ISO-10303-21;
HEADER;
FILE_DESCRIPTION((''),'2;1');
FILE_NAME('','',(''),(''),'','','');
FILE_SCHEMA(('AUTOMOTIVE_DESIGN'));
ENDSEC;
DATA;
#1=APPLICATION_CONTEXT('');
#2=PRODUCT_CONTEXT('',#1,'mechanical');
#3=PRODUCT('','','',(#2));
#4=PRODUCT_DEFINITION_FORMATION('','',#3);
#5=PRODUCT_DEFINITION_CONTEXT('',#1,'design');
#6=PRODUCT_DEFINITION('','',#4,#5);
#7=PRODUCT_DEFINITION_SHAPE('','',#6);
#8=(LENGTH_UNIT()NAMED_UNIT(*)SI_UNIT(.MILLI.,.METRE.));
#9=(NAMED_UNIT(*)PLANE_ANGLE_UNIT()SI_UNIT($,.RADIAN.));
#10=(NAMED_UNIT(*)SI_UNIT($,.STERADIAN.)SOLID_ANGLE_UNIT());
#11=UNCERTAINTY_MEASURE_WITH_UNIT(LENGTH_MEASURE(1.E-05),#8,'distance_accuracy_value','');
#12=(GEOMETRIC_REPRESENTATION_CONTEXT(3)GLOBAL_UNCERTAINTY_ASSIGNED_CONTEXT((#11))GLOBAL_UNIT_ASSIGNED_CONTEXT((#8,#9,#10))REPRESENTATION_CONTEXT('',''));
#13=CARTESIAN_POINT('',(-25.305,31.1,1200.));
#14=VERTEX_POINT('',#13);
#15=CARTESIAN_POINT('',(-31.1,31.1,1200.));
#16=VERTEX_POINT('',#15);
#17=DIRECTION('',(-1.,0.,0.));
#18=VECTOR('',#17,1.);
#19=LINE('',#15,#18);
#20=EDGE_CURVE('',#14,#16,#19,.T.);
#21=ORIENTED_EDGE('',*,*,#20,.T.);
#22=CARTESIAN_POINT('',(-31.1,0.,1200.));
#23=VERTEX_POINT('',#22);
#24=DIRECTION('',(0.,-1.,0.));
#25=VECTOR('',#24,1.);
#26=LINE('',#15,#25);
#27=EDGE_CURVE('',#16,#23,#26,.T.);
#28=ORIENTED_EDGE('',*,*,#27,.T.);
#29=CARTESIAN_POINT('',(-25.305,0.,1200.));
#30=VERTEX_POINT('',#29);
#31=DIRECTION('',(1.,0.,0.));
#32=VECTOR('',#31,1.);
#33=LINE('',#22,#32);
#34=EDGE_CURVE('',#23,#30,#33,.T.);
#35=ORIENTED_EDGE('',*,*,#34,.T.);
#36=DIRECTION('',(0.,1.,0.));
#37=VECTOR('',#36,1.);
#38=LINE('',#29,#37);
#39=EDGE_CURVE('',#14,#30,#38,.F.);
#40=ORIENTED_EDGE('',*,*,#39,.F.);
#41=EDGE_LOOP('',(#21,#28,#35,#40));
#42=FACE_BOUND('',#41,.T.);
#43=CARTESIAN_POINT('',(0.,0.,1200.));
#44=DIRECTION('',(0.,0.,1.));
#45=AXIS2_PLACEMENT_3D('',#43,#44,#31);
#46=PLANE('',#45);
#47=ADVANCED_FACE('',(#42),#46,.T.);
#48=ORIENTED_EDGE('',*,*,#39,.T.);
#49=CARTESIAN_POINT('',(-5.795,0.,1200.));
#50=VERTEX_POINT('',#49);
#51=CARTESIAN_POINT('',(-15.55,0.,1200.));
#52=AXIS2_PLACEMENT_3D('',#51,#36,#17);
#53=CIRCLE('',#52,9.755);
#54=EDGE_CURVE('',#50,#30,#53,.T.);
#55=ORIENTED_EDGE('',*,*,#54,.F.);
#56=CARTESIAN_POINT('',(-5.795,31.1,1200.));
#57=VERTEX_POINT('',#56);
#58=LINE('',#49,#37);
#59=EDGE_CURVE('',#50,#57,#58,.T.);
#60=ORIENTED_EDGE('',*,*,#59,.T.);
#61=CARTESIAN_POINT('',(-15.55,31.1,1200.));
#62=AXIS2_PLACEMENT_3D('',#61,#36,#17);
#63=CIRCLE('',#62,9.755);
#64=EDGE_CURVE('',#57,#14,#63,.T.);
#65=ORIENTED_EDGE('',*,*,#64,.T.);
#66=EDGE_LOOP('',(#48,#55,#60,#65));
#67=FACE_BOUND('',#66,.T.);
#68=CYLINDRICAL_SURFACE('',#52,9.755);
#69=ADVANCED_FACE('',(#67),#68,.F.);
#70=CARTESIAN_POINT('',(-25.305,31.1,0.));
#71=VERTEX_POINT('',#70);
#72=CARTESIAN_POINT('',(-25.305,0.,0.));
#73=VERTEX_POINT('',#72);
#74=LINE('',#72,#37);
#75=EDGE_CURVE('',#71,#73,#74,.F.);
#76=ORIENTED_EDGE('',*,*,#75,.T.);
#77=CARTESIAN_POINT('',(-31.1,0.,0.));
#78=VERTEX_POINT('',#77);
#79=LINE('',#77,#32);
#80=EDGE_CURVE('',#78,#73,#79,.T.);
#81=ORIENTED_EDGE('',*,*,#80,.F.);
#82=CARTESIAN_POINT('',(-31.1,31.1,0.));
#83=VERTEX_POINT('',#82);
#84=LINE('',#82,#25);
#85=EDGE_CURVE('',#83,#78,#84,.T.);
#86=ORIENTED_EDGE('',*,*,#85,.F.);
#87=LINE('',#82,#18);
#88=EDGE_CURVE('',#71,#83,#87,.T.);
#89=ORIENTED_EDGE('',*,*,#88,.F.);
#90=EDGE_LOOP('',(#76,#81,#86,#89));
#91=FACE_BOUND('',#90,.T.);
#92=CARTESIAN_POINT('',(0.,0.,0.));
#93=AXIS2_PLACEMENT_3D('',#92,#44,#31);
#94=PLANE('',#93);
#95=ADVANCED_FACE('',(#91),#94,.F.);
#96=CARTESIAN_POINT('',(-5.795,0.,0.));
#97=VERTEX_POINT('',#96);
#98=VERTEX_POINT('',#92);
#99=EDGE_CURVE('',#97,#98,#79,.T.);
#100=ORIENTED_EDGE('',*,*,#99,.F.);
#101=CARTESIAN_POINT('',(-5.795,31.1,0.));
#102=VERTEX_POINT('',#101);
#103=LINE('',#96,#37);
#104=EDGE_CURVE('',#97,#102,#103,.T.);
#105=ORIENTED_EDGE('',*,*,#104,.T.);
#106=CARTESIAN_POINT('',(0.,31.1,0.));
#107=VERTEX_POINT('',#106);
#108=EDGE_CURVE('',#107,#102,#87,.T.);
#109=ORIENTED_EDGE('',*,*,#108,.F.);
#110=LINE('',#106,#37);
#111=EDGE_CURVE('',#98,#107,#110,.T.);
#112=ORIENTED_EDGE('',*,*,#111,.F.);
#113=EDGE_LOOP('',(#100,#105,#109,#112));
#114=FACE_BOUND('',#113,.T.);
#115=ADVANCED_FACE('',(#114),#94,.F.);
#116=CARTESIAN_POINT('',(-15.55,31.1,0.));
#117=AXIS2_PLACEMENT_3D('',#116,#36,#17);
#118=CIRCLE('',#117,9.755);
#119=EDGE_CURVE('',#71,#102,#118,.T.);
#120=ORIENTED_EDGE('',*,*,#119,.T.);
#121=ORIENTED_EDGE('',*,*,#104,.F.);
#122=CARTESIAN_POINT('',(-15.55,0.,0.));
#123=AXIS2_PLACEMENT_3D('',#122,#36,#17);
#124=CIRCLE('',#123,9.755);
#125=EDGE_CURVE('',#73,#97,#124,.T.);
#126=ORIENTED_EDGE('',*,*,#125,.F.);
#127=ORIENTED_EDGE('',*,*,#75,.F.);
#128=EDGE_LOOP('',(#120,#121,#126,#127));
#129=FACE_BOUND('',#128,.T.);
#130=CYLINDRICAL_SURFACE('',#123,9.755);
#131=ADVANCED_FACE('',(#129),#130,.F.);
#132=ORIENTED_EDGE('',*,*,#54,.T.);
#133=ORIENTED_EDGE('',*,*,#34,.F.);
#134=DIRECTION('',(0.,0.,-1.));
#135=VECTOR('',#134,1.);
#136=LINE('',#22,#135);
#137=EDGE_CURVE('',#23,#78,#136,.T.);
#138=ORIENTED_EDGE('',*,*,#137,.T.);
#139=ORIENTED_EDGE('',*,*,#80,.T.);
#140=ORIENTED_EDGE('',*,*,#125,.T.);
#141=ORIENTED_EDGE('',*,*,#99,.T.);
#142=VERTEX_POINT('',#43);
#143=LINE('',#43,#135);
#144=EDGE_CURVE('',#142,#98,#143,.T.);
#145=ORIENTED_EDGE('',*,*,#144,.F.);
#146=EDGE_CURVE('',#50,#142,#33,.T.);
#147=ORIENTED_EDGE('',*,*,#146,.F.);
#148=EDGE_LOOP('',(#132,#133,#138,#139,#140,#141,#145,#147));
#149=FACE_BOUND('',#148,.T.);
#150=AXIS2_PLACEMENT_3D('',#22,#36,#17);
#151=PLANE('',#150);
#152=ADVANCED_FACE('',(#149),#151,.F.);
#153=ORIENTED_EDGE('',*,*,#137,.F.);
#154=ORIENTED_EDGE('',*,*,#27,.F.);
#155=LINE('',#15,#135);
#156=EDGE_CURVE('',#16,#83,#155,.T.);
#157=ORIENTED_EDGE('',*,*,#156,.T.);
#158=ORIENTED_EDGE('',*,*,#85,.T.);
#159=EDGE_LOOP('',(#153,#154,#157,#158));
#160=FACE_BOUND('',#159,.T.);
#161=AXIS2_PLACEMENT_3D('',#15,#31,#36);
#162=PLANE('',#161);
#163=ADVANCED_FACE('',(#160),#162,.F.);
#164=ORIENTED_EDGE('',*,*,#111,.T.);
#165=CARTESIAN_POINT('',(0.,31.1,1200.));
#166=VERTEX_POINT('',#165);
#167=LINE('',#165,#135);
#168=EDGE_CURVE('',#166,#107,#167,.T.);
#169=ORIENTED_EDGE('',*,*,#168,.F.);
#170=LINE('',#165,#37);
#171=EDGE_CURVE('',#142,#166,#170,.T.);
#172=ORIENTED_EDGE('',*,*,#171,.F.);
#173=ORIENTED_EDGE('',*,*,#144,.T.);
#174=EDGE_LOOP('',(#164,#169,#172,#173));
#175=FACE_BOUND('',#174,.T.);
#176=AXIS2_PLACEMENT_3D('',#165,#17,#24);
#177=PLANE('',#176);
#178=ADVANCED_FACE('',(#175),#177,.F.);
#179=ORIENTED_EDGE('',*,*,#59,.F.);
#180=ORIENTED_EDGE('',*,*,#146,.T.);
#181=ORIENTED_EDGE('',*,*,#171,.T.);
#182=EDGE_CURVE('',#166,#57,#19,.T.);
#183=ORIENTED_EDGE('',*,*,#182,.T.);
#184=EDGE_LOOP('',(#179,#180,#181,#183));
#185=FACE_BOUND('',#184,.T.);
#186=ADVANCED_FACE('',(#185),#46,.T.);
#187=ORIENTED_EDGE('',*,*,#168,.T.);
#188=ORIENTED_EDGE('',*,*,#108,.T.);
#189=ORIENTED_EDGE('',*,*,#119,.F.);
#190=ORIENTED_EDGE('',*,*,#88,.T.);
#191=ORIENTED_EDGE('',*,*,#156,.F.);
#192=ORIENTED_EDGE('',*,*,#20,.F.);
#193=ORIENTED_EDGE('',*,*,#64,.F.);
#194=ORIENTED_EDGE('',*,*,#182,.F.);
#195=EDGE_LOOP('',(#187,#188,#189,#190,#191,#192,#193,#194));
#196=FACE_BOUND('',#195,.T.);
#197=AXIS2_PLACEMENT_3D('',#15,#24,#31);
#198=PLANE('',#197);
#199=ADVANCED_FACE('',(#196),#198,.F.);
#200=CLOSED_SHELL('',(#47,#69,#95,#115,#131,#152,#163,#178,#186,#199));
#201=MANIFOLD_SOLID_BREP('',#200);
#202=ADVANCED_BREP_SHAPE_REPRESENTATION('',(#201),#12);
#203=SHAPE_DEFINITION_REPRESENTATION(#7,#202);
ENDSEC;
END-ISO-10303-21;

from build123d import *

# Parameters (mm, degrees)
SKETCH2_W           = 31.1
SKETCH2_H           = 31.1
BOSS_EXTRUDE1_DEPTH = 1200
SKETCH4_R           = 9.755
CUT_EXTRUDE1_DEPTH  = 31.1


with BuildPart() as part:
    # Sketch2 → Boss-Extrude1 (new body)
    with BuildSketch(Plane.XY):
        with Locations((-15.55, 15.55)):
            Rectangle(SKETCH2_W, SKETCH2_H)
    extrude(amount=BOSS_EXTRUDE1_DEPTH)

    # Sketch4 → Cut-Extrude1 (cut)
    with BuildSketch(Plane(origin=(0, 31.1, 0), x_dir=(1, 0, 0), z_dir=(0, 1, 0))):
        with Locations((-15.55, -1200)):
            Circle(SKETCH4_R)
        with Locations((-15.55, 0)):
            Circle(SKETCH4_R)
    extrude(amount=-CUT_EXTRUDE1_DEPTH, mode=Mode.SUBTRACT)


solid = part.part
